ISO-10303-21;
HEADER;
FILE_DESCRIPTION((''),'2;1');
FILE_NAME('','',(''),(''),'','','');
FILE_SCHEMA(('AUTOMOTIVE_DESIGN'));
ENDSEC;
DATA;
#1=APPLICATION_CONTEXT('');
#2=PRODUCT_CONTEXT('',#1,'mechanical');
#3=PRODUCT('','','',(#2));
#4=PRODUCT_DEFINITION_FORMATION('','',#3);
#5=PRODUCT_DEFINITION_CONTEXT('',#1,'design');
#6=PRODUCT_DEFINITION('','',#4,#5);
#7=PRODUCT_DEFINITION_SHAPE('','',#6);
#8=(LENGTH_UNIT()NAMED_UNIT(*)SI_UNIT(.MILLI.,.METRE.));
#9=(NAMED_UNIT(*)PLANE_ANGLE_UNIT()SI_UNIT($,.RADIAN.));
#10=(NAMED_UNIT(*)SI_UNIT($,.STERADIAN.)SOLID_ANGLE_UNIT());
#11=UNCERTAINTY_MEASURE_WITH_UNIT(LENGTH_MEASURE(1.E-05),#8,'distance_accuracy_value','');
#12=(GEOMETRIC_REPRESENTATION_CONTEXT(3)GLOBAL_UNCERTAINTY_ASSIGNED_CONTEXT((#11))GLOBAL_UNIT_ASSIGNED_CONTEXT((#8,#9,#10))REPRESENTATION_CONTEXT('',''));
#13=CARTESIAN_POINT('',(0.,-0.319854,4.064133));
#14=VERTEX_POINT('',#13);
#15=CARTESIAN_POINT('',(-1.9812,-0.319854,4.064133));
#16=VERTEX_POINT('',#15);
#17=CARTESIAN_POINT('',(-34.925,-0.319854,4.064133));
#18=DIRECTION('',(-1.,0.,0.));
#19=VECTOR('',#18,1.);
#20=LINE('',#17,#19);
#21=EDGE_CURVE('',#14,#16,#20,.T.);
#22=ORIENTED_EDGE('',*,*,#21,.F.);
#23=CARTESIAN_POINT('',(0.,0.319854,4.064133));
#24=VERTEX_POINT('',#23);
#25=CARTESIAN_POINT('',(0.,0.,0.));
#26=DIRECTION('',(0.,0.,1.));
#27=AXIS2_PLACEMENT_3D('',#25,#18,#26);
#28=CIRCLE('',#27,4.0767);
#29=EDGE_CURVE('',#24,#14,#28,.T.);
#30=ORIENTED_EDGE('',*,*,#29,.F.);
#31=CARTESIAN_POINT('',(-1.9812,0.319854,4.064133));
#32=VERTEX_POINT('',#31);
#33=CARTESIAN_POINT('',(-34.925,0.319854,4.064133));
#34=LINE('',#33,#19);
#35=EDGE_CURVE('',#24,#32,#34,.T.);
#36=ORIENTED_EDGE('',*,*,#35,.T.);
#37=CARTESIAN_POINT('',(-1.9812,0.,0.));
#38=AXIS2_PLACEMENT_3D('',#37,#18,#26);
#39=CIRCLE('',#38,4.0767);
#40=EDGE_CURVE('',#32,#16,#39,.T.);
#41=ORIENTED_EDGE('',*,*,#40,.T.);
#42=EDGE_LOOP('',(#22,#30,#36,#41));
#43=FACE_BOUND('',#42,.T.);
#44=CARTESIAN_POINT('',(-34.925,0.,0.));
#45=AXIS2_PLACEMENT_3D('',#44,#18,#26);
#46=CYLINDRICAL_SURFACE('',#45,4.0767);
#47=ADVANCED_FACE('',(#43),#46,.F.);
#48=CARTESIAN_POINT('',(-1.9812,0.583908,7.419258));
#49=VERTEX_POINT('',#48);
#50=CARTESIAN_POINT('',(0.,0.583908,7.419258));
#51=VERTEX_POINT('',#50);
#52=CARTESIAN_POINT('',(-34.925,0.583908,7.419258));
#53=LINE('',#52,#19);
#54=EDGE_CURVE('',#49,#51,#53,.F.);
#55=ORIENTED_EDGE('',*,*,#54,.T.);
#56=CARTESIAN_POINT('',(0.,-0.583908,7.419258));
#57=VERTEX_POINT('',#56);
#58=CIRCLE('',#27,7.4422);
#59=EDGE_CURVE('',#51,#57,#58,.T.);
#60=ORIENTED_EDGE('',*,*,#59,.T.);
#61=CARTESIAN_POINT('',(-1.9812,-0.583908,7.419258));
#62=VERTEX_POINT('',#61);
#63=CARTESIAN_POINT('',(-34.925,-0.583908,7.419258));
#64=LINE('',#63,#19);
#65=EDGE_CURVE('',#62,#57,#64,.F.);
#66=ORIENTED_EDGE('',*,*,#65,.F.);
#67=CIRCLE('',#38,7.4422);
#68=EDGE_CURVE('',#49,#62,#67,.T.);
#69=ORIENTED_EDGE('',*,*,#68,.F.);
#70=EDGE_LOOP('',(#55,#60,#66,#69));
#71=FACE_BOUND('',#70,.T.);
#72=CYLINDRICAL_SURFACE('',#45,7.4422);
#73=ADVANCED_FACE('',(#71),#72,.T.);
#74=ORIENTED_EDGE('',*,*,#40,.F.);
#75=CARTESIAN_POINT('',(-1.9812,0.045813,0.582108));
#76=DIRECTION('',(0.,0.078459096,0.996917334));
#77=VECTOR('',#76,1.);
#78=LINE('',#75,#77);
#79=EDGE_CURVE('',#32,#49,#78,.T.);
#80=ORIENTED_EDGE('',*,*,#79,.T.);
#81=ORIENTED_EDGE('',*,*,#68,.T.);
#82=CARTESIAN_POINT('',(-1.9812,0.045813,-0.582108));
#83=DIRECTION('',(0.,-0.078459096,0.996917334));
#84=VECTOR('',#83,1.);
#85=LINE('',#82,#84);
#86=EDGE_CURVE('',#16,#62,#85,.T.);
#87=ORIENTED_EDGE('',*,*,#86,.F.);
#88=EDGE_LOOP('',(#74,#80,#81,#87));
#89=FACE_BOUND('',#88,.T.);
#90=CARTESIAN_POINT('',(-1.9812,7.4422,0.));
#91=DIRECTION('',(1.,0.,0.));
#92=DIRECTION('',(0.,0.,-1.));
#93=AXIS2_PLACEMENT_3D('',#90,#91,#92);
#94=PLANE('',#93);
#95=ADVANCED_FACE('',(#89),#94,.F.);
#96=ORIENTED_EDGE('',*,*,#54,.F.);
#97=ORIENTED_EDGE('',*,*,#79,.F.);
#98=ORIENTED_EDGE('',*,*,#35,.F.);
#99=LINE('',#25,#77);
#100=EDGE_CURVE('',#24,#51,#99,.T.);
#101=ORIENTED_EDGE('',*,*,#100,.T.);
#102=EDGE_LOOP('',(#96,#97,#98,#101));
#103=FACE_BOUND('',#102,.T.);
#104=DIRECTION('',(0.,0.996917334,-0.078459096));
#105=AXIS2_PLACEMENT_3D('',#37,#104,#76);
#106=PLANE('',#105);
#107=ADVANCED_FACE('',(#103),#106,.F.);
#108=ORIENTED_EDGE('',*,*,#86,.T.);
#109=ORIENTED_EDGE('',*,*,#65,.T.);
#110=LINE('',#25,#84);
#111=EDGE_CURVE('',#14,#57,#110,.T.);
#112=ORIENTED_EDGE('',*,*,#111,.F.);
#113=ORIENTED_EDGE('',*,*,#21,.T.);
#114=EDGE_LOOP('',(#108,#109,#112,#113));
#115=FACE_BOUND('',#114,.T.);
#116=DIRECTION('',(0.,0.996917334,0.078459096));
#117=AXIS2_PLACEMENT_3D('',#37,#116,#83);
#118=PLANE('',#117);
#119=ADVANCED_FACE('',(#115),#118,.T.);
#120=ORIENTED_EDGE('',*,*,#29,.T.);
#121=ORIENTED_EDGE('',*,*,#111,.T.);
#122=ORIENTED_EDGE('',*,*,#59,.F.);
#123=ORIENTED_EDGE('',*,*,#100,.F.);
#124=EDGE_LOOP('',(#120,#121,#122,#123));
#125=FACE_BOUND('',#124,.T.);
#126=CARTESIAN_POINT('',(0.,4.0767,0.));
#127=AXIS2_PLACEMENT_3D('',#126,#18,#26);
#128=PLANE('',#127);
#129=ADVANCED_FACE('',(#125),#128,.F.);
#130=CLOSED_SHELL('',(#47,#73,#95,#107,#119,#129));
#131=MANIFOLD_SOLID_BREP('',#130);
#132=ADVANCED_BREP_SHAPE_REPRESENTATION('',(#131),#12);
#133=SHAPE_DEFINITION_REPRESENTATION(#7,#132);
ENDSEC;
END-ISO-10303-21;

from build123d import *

# Parameters (mm, degrees)
SKETCH1_W = 1.9812
SKETCH1_H = 3.3655
GAP_DEPTH = 11.709707518


with BuildPart() as part:
    # Sketch1 → Base-Revolve (revolve)
    with BuildSketch(Plane.XY, mode=Mode.PRIVATE) as base_revolve_sk:
        with Locations((-0.9906, 5.75945)):
            Rectangle(SKETCH1_W, SKETCH1_H)
    revolve(base_revolve_sk.sketch.rotate(Axis((-34.925, 0, 0), (1, 0, 0)), 90), axis=Axis((-34.925, 0, 0), (1, 0, 0)))

    # Sketch2 → Gap (cut, through all)
    with BuildSketch(Plane(origin=(0, 0, 0), x_dir=(0, -1, 0), z_dir=(-1, 0, 0))):
        with BuildLine():
            Line((0, 0), (0.595586448, 7.567643345))
            ThreePointArc((0.595586448, 7.567643345), (0, 7.591044), (-0.595586448, 7.567643345))
            Line((-0.595586448, 7.567643345), (0, 0))
        make_face()
    extrude(amount=GAP_DEPTH, mode=Mode.SUBTRACT)


solid = part.part
